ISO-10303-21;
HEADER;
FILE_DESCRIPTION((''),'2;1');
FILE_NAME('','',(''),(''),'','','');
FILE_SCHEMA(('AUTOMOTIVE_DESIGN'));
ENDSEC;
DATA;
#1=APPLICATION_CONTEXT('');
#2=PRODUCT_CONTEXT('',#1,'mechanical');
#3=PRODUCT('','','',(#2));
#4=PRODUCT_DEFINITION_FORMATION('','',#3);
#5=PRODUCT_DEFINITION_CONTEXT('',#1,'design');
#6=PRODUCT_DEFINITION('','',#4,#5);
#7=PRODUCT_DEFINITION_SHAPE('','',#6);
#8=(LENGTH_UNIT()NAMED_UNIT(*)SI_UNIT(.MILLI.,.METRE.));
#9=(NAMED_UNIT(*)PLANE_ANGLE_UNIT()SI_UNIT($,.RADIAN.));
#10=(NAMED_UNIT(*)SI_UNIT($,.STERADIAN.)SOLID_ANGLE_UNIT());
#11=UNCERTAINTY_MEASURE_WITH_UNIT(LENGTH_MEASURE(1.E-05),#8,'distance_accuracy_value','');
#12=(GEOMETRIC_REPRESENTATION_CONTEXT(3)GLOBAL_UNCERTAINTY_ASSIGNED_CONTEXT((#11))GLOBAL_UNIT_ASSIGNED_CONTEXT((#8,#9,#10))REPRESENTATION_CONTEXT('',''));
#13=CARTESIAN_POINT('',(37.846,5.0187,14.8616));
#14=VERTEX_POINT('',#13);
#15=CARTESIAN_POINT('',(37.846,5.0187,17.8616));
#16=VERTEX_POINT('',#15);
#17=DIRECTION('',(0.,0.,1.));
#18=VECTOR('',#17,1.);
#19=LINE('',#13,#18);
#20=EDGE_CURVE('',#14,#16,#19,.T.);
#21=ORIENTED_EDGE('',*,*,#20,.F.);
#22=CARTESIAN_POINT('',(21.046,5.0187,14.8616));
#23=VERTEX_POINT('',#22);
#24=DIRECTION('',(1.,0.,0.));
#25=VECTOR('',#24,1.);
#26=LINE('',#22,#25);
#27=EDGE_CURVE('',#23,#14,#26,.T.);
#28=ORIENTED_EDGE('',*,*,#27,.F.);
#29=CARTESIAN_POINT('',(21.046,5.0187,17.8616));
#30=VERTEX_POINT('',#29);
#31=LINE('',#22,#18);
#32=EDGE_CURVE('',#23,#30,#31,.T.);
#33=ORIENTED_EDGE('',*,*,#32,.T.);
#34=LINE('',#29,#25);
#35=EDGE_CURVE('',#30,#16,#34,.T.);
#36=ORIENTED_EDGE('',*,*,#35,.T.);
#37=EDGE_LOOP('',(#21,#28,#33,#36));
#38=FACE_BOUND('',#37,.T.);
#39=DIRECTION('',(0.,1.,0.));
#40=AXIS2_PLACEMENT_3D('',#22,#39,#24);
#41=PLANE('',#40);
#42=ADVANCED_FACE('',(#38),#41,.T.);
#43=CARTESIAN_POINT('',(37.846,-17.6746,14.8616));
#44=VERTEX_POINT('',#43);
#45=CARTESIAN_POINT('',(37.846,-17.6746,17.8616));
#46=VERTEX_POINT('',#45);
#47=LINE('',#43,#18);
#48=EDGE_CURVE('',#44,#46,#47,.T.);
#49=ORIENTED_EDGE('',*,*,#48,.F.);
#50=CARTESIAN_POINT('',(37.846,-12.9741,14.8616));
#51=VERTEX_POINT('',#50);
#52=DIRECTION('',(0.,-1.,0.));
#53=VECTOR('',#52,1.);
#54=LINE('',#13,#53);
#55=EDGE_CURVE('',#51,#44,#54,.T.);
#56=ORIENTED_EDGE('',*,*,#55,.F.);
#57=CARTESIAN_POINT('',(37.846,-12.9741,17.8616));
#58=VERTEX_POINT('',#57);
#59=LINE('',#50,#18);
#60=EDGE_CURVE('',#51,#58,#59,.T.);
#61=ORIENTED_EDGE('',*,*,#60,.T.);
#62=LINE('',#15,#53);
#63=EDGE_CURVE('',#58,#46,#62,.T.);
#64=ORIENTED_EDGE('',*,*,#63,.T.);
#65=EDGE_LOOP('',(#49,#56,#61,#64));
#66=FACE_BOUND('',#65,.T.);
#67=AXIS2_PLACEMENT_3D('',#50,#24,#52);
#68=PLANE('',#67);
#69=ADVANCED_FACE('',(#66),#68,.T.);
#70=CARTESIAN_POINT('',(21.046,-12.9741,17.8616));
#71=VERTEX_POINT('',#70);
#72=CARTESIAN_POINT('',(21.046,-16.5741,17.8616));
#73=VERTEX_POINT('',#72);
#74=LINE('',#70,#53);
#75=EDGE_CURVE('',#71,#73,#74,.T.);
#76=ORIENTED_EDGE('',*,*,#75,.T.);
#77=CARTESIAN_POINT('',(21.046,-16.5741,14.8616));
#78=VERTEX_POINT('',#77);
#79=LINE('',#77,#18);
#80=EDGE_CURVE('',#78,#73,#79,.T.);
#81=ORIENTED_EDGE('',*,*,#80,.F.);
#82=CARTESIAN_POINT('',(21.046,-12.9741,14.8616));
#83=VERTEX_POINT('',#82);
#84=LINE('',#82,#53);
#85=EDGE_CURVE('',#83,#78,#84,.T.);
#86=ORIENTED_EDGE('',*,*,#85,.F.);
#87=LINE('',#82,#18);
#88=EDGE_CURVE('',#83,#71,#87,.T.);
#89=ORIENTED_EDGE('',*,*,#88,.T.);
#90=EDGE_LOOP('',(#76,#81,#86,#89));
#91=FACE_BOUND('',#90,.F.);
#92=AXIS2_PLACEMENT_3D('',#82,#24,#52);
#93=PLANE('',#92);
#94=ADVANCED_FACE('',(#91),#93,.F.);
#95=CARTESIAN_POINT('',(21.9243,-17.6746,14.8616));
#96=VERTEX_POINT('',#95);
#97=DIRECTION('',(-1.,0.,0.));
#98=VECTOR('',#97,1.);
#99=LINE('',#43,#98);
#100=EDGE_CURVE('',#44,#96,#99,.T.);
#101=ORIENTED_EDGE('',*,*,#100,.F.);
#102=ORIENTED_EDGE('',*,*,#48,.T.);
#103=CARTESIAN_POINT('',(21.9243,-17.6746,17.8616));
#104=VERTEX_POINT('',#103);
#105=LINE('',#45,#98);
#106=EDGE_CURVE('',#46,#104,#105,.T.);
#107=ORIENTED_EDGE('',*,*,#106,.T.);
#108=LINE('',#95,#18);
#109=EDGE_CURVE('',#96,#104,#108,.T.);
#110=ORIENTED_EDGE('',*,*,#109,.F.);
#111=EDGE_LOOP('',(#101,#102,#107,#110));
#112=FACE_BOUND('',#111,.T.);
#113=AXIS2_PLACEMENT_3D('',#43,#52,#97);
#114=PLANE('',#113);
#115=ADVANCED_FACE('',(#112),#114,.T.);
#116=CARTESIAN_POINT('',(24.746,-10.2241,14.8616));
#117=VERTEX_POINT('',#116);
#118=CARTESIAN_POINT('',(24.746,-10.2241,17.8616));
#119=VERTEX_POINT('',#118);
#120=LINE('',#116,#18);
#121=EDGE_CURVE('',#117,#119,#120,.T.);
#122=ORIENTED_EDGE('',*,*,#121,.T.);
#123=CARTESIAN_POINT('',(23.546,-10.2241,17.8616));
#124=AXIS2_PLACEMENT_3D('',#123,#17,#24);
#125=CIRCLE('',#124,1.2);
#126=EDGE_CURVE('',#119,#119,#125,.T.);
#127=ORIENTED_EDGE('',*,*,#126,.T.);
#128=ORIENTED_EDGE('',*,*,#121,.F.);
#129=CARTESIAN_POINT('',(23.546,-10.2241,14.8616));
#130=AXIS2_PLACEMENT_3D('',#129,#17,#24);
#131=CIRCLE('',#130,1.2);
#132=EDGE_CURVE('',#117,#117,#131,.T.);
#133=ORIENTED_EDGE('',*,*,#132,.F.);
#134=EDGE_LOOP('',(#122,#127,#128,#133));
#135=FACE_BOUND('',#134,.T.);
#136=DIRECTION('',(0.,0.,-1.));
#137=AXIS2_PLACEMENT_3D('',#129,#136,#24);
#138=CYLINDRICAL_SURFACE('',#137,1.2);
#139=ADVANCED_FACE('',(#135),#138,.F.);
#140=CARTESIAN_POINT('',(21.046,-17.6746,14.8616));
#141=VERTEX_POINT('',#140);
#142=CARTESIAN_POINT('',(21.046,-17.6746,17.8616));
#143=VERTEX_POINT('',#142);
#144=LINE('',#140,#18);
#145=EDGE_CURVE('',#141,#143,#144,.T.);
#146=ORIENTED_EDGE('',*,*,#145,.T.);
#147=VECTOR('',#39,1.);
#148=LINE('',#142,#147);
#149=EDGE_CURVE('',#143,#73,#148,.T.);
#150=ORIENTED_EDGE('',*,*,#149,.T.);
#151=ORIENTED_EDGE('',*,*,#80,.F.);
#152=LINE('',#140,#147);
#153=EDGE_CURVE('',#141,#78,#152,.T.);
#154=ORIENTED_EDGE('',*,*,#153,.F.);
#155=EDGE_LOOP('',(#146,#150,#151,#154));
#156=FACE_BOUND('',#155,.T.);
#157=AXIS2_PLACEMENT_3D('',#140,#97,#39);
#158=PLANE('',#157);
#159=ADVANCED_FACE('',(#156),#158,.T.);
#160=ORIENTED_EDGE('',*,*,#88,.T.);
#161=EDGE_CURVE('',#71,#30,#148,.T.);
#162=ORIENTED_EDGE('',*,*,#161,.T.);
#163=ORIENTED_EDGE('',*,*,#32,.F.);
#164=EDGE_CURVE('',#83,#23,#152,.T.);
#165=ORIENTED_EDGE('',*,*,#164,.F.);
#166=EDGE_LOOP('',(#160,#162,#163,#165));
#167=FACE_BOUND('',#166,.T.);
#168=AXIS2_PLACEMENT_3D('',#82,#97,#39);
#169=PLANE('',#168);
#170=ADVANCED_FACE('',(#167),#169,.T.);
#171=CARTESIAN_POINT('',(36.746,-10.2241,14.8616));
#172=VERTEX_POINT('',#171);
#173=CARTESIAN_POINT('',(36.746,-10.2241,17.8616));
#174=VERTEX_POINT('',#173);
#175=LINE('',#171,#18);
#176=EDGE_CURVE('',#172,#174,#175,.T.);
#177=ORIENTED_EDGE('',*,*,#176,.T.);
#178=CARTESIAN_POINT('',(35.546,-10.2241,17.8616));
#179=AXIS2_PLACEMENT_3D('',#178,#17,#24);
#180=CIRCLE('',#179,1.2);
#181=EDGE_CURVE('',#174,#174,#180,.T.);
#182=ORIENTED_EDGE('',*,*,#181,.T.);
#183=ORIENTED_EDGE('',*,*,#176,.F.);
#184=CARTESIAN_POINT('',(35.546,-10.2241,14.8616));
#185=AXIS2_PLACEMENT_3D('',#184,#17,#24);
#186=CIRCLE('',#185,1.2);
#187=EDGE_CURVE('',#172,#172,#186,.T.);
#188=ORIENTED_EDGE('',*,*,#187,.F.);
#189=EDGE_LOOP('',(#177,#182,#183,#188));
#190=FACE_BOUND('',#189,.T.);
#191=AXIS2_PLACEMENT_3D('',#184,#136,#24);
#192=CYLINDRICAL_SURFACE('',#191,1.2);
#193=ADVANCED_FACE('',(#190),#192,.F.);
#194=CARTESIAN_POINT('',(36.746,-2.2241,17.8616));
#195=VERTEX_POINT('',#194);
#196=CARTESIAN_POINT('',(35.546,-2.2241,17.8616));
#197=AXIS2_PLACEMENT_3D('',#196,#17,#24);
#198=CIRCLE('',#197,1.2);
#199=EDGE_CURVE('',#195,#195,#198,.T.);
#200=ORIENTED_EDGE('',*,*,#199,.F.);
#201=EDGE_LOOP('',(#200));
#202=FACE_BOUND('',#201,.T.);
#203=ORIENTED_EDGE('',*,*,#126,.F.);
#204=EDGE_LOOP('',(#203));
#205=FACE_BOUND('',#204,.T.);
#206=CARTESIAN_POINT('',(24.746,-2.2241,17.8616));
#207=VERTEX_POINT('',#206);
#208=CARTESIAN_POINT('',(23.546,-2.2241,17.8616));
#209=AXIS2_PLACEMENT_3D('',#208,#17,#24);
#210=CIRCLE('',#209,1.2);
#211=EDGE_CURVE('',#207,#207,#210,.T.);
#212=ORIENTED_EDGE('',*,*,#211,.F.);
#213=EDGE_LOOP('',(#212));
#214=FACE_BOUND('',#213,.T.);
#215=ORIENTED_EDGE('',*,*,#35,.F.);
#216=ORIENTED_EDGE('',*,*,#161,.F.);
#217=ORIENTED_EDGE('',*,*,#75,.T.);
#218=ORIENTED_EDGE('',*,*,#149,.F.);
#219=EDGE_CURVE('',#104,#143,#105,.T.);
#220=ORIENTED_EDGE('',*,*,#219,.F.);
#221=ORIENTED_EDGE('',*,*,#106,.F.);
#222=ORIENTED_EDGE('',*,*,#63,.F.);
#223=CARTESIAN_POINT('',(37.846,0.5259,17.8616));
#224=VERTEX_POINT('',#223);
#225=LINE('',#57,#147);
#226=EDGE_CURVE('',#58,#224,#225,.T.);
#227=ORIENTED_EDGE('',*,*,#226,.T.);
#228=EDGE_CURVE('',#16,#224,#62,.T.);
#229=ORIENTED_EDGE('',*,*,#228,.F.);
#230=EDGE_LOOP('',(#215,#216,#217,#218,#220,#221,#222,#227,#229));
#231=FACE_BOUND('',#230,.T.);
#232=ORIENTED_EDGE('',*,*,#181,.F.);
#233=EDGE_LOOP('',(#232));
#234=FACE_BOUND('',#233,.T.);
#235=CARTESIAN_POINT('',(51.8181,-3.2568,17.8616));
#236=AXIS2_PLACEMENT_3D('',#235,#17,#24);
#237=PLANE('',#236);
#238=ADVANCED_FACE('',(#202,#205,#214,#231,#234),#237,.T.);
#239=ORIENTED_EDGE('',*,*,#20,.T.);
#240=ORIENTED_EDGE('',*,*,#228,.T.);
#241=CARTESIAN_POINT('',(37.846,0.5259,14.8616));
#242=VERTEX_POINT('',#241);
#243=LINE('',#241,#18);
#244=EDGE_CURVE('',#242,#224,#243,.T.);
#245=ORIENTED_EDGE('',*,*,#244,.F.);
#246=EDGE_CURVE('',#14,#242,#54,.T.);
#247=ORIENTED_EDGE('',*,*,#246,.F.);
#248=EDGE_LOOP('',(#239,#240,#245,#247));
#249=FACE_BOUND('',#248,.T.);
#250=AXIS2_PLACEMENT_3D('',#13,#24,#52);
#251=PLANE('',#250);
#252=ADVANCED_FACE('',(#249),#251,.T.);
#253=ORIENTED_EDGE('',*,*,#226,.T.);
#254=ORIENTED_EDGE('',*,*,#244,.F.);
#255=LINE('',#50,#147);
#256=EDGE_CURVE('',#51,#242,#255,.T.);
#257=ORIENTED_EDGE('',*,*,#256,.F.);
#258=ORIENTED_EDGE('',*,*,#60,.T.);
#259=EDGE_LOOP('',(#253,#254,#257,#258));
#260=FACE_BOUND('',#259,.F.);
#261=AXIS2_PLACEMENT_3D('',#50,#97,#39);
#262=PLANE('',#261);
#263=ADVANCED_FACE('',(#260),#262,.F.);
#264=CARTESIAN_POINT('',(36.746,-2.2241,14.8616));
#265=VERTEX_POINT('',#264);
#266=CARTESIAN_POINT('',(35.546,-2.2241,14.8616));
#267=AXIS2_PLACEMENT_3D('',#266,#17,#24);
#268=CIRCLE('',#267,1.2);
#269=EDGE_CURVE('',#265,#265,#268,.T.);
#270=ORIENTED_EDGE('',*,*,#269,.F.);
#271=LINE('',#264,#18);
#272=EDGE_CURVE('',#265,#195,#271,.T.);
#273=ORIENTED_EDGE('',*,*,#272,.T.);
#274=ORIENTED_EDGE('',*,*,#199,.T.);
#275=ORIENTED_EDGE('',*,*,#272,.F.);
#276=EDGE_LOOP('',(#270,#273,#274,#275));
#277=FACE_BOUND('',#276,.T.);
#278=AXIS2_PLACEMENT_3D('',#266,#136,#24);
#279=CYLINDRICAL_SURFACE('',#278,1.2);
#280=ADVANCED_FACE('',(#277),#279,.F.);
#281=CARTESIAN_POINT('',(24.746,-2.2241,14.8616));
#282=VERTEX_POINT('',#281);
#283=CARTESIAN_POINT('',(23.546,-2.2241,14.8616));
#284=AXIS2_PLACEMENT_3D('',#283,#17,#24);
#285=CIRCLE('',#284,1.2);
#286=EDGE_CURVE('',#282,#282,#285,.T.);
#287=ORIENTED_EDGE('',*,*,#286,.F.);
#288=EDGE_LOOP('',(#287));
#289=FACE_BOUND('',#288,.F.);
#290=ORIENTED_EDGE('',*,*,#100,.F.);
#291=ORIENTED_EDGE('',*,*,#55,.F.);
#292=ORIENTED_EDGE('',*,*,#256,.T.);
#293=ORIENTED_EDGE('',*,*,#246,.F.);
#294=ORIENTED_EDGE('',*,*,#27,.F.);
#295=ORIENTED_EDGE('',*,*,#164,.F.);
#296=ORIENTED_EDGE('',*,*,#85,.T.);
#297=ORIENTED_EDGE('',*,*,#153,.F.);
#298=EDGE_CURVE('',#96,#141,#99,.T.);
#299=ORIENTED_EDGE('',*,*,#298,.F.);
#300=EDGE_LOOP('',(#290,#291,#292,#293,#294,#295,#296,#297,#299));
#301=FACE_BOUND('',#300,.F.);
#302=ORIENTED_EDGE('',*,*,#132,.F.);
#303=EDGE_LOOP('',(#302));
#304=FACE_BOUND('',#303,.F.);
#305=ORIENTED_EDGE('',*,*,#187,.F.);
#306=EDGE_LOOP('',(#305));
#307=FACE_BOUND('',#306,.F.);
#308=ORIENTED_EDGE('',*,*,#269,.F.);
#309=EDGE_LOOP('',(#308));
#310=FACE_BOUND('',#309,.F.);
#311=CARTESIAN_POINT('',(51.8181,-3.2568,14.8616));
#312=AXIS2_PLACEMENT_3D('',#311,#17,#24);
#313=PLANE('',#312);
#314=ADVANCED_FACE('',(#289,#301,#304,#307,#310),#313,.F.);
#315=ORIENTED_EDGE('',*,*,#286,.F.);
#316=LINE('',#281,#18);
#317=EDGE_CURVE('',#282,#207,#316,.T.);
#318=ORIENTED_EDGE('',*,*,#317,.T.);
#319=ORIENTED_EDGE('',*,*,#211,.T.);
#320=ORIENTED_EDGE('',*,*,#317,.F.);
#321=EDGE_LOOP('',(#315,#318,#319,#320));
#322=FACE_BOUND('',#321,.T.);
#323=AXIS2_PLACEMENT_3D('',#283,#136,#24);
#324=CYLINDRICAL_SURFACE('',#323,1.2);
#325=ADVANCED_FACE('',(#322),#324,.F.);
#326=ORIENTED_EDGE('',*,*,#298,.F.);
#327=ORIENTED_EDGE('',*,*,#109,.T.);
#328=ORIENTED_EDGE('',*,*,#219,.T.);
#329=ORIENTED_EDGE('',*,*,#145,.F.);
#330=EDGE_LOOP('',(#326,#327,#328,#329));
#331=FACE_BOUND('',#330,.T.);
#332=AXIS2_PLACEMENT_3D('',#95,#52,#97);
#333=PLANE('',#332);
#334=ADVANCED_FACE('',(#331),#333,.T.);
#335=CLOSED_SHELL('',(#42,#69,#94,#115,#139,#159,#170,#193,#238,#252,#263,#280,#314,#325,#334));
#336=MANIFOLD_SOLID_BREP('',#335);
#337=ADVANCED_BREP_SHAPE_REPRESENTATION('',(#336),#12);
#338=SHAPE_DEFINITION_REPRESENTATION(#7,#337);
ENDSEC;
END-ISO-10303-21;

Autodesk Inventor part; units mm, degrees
ref_plane "YZ Plane" through (0, 0, 0) normal (1, 0, 0) x (0, 1, 0)
ref_plane "XZ Plane" through (0, 0, 0) normal (0, 1, 0) x (-1, 0, 0)
ref_plane "XY Plane" through (0, 0, 0) normal (0, 0, 1) x (1, 0, 0)
ref_plane "РабПлоскость1" through (51.8181, -3.2568, 14.8616) normal (0, 0, 1) x (1, 0, 0)
sketch "Эскиз1" plane through (51.8181, -3.2568, 14.8616) normal (0, 0, 1) x (1, 0, 0)
  circle A0 centre (-28.2721, 1.0327) radius 1.2 projected
  line L0 (-26.6721, 3.7827) -> (-26.6721, -9.7173)
  circle A1 centre (-28.2721, -6.9673) radius 0.8 projected
  circle A2 centre (-28.2721, -6.9673) radius 1.2 projected
  circle A3 centre (-16.2721, -6.9673) radius 1.2 projected
  line L1 (-29.8938, -55.4673) -> (-29.8938, 4.5327) projected
  line L2 (-30.7721, -9.7173) -> (-30.7721, -13.3173) projected
  line L3 (-13.9721, -9.7173) -> (-13.9721, 3.7827) projected
  line L4 (-30.7721, 8.2755) -> (-13.9721, 8.2755)
  line L5 (-13.9721, 8.2755) -> (-13.9721, -14.4178)
  line L6 (-13.9721, -14.4178) -> (-30.7721, -14.4178)
  line L7 (-30.7721, -14.4178) -> (-30.7721, 8.2755)
  circle A4 centre (-16.2721, 1.0327) radius 1.2 projected
  point P0 (-51.8181, 3.2568)
  point P1 (-30.7721, -9.7173)
  point P2 (-30.7721, -13.3173)
  point P3 (-13.9721, -9.7173)
  point P4 (-13.9721, 3.7827)
  point P5 (-15.1183, 0.7032)
  point P6 (-17.3217, 1.6144)
extrude "Выдавливание1" add sketch "Эскиз1" along normal blind 3 contours L7 L4 L5 L3 L6 L2
properties part number "проставк"
